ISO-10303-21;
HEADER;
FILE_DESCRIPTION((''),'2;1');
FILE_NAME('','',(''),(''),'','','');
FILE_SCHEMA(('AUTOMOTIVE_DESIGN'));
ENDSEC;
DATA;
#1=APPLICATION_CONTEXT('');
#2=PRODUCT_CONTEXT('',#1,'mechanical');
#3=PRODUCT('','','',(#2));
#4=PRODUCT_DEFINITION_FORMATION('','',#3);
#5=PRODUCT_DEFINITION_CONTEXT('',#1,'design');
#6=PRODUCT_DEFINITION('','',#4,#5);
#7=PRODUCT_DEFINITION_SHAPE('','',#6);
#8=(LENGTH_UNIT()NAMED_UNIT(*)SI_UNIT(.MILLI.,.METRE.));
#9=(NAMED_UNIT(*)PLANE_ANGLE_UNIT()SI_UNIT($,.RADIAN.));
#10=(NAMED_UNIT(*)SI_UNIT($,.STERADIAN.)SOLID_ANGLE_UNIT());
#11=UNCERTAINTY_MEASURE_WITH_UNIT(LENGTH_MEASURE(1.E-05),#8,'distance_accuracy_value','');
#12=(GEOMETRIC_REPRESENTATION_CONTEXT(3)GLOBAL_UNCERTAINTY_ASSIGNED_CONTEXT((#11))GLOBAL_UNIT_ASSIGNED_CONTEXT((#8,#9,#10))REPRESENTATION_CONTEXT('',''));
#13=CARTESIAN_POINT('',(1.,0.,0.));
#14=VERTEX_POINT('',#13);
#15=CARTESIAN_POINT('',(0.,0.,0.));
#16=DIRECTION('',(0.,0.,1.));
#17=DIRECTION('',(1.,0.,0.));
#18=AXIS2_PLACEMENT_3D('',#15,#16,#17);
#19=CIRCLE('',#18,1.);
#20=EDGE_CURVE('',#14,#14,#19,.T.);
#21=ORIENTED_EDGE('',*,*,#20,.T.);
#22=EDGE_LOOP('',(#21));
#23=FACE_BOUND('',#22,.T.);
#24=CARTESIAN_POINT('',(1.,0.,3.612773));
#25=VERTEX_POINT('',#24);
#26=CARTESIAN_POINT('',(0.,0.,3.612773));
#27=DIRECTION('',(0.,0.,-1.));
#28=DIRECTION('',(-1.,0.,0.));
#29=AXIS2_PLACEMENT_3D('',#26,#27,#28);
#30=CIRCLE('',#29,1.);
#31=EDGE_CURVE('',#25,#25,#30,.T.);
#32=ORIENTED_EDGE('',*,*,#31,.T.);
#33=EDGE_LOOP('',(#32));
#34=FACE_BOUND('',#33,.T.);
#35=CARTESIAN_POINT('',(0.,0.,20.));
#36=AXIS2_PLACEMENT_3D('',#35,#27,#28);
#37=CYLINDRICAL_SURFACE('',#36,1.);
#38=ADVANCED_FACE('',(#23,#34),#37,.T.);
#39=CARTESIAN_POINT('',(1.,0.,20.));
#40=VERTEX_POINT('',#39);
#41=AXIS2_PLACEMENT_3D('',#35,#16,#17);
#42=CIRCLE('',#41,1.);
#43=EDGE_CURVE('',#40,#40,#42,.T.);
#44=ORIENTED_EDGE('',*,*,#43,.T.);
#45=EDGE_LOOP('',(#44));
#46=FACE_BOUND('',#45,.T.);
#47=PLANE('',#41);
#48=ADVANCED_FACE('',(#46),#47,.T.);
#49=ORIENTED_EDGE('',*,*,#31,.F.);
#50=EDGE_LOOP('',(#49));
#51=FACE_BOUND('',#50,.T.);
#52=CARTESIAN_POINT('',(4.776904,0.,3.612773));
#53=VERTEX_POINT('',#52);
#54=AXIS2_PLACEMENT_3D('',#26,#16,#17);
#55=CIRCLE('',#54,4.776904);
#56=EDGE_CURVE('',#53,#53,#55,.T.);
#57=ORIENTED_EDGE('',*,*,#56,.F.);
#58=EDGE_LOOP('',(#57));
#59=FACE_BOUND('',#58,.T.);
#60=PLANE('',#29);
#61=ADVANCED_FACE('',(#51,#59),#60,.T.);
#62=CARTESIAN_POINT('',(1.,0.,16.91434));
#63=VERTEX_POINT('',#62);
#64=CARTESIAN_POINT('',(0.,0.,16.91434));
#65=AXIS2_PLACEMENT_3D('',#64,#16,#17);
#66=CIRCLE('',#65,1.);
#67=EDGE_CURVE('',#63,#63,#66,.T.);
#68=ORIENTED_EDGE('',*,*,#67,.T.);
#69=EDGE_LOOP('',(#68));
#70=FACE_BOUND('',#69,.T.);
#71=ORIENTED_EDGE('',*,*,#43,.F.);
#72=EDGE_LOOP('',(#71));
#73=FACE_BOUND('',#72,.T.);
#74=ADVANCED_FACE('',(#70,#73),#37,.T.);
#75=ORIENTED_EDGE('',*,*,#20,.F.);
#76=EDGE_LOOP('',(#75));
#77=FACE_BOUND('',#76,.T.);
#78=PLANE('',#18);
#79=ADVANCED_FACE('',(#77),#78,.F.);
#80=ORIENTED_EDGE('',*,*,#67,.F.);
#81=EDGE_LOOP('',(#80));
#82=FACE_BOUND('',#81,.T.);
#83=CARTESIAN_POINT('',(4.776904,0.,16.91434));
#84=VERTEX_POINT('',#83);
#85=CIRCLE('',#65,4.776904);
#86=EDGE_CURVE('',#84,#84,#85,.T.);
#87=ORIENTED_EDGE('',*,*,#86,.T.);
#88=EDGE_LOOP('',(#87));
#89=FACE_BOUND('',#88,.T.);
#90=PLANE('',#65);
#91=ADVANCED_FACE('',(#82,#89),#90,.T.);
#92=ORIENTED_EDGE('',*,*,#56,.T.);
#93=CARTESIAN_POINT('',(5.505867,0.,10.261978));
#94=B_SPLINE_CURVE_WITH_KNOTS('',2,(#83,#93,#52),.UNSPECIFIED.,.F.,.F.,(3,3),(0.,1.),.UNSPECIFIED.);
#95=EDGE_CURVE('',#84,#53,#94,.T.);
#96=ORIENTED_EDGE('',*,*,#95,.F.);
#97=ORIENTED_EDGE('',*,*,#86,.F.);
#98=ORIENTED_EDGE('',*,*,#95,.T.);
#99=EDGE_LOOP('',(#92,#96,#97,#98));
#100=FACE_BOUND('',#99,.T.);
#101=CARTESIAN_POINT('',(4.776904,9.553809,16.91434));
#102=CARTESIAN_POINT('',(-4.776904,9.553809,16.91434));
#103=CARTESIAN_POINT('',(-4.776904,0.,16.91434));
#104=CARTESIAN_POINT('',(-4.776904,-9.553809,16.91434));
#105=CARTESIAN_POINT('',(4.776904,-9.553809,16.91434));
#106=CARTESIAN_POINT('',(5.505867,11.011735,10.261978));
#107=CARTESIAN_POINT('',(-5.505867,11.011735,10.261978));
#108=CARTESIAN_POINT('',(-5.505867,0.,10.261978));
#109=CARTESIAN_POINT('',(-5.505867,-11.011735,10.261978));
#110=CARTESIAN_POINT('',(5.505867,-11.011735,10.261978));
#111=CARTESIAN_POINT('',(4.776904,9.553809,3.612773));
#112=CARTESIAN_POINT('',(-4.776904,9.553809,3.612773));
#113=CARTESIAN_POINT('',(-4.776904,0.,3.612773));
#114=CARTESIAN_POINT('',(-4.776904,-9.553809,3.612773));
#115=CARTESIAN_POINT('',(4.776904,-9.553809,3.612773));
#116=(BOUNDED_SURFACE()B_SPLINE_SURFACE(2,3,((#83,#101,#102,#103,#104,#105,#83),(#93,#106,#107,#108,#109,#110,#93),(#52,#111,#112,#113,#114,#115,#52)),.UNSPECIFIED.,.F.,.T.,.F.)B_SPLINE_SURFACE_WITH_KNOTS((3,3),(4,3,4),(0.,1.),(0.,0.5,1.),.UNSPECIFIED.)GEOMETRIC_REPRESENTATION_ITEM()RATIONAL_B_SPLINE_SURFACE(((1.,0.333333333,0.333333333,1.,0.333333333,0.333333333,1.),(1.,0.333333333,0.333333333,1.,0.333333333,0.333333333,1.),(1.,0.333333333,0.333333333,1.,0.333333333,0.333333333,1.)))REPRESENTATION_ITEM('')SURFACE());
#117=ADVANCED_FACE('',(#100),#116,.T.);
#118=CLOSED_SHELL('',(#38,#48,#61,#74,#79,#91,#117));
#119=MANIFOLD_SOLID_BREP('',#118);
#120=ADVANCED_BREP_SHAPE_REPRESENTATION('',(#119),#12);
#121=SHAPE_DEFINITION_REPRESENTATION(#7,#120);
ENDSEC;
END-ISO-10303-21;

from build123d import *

# Parameters (mm, degrees)
SKETCH_1_R      = 1
EXTRUDE_1_DEPTH = 20


with BuildPart() as part:
    # 草图1 → 凸台-拉伸1 (new body)
    with BuildSketch(Plane.XY):
        Circle(SKETCH_1_R)
    extrude(amount=EXTRUDE_1_DEPTH)

    # 扫描2: sweep along a path in 草图3
    with BuildLine(Plane.XY.offset(10)) as sweep_2_path:
        CenterArc((0, 0), 0.751629147, 0, 360)
    # 草图2 → 扫描2 (sweep)
    with BuildSketch(Plane(origin=(0, 0, 0), x_dir=(1, 0, 0), z_dir=(0, 1, 0))):
        with BuildLine():
            Line((0, -3.612773255), (4.77690428, -3.612773255))
            add(Edge.make_bspline(
                [(4.77690428, -3.612773255), (5.505867442, -10.261978207), (4.77690428, -16.914339916)],
                knots=[0, 0, 0, 1, 1, 1], degree=2))
            Line((4.77690428, -16.914339916), (0, -16.914339916))
            Line((0, -16.914339916), (0, -3.612773255))
        make_face()
    sweep(path=sweep_2_path.line)


solid = part.part
